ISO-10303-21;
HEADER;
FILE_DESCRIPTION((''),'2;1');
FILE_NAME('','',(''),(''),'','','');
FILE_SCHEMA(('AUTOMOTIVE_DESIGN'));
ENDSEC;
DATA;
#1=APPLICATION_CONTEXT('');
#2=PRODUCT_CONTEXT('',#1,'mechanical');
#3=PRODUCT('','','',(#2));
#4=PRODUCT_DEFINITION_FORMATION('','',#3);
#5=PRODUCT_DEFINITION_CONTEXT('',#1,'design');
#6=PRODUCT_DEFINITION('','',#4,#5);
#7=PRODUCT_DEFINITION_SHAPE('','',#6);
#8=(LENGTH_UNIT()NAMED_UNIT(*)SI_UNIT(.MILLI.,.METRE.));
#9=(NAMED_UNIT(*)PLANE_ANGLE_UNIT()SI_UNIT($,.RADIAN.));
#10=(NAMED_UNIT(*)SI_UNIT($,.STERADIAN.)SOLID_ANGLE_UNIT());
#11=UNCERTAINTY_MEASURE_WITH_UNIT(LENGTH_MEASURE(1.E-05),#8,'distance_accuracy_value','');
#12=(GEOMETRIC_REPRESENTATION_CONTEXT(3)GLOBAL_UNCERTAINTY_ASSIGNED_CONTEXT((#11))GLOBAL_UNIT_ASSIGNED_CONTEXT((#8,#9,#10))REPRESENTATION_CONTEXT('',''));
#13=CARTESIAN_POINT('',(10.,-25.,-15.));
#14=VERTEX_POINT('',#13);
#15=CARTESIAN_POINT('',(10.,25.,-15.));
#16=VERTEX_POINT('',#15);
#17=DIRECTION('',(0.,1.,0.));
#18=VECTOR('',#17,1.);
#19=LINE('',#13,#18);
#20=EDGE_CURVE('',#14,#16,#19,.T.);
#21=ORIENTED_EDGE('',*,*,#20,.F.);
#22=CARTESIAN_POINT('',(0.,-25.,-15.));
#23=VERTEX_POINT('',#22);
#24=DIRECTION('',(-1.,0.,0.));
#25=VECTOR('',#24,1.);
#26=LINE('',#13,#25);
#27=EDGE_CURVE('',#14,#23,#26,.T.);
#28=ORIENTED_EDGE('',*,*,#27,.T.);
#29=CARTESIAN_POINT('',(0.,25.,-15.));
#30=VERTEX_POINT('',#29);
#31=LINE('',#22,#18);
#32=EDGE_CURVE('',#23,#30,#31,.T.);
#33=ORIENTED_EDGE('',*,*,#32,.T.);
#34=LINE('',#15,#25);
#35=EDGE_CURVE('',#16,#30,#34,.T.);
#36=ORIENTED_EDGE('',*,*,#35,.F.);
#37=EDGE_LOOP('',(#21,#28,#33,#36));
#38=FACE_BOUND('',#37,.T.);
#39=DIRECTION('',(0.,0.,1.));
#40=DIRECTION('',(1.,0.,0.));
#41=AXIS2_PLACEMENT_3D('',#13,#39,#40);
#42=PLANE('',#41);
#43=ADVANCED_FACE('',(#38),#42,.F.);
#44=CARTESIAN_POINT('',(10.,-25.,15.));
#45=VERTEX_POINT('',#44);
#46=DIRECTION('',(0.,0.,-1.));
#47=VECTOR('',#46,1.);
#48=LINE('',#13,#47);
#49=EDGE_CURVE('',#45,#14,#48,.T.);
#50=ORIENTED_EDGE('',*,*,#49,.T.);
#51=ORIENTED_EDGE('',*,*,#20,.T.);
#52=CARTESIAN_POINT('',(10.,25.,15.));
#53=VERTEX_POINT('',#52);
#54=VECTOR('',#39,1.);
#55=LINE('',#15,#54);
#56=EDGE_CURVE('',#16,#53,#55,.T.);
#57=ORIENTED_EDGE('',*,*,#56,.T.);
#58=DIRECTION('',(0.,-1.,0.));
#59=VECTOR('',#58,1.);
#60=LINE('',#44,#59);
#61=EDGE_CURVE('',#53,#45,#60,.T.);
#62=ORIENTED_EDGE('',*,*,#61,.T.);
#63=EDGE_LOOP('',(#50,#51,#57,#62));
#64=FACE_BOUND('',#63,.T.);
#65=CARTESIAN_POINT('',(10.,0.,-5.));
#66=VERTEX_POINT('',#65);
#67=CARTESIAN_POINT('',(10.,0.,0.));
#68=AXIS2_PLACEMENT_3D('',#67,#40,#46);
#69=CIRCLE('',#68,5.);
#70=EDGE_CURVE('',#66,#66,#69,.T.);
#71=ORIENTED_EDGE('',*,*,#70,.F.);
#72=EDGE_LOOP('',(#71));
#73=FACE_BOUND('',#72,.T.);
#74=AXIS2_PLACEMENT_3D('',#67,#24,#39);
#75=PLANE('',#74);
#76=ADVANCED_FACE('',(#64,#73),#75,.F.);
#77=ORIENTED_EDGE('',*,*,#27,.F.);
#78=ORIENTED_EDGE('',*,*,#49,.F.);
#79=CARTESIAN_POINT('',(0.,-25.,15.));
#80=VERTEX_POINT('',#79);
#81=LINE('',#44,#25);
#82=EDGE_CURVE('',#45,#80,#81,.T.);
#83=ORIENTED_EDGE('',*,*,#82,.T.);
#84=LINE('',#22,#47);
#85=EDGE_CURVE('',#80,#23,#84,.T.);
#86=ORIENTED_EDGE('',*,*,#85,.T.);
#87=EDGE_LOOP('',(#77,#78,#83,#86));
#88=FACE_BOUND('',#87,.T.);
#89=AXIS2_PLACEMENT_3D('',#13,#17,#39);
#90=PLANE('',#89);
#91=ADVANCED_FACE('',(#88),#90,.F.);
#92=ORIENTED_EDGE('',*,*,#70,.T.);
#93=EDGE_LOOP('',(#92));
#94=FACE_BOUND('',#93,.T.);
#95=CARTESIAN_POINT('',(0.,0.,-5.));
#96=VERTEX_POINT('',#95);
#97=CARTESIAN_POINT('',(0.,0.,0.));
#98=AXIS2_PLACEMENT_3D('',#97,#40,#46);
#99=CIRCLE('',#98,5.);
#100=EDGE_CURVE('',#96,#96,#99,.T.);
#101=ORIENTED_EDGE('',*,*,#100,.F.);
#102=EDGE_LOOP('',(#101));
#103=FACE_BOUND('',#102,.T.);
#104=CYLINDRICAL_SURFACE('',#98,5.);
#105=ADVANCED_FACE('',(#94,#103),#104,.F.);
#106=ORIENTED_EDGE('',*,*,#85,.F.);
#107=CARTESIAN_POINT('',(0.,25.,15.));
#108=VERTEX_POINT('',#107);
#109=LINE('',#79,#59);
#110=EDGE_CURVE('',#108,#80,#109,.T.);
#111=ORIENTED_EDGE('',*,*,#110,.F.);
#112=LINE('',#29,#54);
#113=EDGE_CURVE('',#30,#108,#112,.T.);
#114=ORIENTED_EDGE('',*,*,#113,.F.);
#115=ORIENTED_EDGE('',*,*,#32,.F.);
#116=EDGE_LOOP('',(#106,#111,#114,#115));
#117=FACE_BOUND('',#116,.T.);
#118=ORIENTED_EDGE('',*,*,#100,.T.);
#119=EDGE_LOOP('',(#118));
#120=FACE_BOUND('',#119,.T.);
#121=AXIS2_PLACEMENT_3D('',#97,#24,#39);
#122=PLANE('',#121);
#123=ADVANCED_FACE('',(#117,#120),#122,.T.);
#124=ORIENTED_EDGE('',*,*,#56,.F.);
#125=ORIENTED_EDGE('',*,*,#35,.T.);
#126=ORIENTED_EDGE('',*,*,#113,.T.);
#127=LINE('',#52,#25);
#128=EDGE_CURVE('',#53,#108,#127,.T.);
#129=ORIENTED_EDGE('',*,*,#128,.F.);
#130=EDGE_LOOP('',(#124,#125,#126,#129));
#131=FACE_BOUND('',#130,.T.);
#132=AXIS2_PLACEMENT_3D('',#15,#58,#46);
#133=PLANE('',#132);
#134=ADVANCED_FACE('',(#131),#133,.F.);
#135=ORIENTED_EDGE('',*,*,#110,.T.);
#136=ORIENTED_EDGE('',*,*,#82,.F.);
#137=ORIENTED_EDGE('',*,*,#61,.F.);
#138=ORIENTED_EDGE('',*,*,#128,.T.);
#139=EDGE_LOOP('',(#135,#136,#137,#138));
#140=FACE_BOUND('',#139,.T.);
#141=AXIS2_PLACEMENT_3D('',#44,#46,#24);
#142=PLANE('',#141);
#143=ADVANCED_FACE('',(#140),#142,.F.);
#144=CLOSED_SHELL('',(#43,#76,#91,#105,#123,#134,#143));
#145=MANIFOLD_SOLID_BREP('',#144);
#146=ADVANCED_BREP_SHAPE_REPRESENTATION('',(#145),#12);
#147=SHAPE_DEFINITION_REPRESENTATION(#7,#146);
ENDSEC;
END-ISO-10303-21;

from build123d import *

# Parameters (mm, degrees)
CROQUIS2_W              = 50
CROQUIS2_H              = 30
SALIENTE_EXTRUIR1_DEPTH = 10
CROQUIS3_R              = 5
CORTAR_EXTRUIR1_DEPTH   = 31.822070015


with BuildPart() as part:
    # Croquis2 → Saliente-Extruir1 (new body)
    with BuildSketch(Plane.YZ):
        Rectangle(CROQUIS2_W, CROQUIS2_H)
    extrude(amount=SALIENTE_EXTRUIR1_DEPTH)

    # Croquis3 → Cortar-Extruir1 (cut, through all)
    with BuildSketch(Plane.YZ.offset(10)):
        with Locations(Location((0, 0, 0), (0, 0, 270))):
            Circle(CROQUIS3_R)
    extrude(amount=-CORTAR_EXTRUIR1_DEPTH, mode=Mode.SUBTRACT)


solid = part.part
